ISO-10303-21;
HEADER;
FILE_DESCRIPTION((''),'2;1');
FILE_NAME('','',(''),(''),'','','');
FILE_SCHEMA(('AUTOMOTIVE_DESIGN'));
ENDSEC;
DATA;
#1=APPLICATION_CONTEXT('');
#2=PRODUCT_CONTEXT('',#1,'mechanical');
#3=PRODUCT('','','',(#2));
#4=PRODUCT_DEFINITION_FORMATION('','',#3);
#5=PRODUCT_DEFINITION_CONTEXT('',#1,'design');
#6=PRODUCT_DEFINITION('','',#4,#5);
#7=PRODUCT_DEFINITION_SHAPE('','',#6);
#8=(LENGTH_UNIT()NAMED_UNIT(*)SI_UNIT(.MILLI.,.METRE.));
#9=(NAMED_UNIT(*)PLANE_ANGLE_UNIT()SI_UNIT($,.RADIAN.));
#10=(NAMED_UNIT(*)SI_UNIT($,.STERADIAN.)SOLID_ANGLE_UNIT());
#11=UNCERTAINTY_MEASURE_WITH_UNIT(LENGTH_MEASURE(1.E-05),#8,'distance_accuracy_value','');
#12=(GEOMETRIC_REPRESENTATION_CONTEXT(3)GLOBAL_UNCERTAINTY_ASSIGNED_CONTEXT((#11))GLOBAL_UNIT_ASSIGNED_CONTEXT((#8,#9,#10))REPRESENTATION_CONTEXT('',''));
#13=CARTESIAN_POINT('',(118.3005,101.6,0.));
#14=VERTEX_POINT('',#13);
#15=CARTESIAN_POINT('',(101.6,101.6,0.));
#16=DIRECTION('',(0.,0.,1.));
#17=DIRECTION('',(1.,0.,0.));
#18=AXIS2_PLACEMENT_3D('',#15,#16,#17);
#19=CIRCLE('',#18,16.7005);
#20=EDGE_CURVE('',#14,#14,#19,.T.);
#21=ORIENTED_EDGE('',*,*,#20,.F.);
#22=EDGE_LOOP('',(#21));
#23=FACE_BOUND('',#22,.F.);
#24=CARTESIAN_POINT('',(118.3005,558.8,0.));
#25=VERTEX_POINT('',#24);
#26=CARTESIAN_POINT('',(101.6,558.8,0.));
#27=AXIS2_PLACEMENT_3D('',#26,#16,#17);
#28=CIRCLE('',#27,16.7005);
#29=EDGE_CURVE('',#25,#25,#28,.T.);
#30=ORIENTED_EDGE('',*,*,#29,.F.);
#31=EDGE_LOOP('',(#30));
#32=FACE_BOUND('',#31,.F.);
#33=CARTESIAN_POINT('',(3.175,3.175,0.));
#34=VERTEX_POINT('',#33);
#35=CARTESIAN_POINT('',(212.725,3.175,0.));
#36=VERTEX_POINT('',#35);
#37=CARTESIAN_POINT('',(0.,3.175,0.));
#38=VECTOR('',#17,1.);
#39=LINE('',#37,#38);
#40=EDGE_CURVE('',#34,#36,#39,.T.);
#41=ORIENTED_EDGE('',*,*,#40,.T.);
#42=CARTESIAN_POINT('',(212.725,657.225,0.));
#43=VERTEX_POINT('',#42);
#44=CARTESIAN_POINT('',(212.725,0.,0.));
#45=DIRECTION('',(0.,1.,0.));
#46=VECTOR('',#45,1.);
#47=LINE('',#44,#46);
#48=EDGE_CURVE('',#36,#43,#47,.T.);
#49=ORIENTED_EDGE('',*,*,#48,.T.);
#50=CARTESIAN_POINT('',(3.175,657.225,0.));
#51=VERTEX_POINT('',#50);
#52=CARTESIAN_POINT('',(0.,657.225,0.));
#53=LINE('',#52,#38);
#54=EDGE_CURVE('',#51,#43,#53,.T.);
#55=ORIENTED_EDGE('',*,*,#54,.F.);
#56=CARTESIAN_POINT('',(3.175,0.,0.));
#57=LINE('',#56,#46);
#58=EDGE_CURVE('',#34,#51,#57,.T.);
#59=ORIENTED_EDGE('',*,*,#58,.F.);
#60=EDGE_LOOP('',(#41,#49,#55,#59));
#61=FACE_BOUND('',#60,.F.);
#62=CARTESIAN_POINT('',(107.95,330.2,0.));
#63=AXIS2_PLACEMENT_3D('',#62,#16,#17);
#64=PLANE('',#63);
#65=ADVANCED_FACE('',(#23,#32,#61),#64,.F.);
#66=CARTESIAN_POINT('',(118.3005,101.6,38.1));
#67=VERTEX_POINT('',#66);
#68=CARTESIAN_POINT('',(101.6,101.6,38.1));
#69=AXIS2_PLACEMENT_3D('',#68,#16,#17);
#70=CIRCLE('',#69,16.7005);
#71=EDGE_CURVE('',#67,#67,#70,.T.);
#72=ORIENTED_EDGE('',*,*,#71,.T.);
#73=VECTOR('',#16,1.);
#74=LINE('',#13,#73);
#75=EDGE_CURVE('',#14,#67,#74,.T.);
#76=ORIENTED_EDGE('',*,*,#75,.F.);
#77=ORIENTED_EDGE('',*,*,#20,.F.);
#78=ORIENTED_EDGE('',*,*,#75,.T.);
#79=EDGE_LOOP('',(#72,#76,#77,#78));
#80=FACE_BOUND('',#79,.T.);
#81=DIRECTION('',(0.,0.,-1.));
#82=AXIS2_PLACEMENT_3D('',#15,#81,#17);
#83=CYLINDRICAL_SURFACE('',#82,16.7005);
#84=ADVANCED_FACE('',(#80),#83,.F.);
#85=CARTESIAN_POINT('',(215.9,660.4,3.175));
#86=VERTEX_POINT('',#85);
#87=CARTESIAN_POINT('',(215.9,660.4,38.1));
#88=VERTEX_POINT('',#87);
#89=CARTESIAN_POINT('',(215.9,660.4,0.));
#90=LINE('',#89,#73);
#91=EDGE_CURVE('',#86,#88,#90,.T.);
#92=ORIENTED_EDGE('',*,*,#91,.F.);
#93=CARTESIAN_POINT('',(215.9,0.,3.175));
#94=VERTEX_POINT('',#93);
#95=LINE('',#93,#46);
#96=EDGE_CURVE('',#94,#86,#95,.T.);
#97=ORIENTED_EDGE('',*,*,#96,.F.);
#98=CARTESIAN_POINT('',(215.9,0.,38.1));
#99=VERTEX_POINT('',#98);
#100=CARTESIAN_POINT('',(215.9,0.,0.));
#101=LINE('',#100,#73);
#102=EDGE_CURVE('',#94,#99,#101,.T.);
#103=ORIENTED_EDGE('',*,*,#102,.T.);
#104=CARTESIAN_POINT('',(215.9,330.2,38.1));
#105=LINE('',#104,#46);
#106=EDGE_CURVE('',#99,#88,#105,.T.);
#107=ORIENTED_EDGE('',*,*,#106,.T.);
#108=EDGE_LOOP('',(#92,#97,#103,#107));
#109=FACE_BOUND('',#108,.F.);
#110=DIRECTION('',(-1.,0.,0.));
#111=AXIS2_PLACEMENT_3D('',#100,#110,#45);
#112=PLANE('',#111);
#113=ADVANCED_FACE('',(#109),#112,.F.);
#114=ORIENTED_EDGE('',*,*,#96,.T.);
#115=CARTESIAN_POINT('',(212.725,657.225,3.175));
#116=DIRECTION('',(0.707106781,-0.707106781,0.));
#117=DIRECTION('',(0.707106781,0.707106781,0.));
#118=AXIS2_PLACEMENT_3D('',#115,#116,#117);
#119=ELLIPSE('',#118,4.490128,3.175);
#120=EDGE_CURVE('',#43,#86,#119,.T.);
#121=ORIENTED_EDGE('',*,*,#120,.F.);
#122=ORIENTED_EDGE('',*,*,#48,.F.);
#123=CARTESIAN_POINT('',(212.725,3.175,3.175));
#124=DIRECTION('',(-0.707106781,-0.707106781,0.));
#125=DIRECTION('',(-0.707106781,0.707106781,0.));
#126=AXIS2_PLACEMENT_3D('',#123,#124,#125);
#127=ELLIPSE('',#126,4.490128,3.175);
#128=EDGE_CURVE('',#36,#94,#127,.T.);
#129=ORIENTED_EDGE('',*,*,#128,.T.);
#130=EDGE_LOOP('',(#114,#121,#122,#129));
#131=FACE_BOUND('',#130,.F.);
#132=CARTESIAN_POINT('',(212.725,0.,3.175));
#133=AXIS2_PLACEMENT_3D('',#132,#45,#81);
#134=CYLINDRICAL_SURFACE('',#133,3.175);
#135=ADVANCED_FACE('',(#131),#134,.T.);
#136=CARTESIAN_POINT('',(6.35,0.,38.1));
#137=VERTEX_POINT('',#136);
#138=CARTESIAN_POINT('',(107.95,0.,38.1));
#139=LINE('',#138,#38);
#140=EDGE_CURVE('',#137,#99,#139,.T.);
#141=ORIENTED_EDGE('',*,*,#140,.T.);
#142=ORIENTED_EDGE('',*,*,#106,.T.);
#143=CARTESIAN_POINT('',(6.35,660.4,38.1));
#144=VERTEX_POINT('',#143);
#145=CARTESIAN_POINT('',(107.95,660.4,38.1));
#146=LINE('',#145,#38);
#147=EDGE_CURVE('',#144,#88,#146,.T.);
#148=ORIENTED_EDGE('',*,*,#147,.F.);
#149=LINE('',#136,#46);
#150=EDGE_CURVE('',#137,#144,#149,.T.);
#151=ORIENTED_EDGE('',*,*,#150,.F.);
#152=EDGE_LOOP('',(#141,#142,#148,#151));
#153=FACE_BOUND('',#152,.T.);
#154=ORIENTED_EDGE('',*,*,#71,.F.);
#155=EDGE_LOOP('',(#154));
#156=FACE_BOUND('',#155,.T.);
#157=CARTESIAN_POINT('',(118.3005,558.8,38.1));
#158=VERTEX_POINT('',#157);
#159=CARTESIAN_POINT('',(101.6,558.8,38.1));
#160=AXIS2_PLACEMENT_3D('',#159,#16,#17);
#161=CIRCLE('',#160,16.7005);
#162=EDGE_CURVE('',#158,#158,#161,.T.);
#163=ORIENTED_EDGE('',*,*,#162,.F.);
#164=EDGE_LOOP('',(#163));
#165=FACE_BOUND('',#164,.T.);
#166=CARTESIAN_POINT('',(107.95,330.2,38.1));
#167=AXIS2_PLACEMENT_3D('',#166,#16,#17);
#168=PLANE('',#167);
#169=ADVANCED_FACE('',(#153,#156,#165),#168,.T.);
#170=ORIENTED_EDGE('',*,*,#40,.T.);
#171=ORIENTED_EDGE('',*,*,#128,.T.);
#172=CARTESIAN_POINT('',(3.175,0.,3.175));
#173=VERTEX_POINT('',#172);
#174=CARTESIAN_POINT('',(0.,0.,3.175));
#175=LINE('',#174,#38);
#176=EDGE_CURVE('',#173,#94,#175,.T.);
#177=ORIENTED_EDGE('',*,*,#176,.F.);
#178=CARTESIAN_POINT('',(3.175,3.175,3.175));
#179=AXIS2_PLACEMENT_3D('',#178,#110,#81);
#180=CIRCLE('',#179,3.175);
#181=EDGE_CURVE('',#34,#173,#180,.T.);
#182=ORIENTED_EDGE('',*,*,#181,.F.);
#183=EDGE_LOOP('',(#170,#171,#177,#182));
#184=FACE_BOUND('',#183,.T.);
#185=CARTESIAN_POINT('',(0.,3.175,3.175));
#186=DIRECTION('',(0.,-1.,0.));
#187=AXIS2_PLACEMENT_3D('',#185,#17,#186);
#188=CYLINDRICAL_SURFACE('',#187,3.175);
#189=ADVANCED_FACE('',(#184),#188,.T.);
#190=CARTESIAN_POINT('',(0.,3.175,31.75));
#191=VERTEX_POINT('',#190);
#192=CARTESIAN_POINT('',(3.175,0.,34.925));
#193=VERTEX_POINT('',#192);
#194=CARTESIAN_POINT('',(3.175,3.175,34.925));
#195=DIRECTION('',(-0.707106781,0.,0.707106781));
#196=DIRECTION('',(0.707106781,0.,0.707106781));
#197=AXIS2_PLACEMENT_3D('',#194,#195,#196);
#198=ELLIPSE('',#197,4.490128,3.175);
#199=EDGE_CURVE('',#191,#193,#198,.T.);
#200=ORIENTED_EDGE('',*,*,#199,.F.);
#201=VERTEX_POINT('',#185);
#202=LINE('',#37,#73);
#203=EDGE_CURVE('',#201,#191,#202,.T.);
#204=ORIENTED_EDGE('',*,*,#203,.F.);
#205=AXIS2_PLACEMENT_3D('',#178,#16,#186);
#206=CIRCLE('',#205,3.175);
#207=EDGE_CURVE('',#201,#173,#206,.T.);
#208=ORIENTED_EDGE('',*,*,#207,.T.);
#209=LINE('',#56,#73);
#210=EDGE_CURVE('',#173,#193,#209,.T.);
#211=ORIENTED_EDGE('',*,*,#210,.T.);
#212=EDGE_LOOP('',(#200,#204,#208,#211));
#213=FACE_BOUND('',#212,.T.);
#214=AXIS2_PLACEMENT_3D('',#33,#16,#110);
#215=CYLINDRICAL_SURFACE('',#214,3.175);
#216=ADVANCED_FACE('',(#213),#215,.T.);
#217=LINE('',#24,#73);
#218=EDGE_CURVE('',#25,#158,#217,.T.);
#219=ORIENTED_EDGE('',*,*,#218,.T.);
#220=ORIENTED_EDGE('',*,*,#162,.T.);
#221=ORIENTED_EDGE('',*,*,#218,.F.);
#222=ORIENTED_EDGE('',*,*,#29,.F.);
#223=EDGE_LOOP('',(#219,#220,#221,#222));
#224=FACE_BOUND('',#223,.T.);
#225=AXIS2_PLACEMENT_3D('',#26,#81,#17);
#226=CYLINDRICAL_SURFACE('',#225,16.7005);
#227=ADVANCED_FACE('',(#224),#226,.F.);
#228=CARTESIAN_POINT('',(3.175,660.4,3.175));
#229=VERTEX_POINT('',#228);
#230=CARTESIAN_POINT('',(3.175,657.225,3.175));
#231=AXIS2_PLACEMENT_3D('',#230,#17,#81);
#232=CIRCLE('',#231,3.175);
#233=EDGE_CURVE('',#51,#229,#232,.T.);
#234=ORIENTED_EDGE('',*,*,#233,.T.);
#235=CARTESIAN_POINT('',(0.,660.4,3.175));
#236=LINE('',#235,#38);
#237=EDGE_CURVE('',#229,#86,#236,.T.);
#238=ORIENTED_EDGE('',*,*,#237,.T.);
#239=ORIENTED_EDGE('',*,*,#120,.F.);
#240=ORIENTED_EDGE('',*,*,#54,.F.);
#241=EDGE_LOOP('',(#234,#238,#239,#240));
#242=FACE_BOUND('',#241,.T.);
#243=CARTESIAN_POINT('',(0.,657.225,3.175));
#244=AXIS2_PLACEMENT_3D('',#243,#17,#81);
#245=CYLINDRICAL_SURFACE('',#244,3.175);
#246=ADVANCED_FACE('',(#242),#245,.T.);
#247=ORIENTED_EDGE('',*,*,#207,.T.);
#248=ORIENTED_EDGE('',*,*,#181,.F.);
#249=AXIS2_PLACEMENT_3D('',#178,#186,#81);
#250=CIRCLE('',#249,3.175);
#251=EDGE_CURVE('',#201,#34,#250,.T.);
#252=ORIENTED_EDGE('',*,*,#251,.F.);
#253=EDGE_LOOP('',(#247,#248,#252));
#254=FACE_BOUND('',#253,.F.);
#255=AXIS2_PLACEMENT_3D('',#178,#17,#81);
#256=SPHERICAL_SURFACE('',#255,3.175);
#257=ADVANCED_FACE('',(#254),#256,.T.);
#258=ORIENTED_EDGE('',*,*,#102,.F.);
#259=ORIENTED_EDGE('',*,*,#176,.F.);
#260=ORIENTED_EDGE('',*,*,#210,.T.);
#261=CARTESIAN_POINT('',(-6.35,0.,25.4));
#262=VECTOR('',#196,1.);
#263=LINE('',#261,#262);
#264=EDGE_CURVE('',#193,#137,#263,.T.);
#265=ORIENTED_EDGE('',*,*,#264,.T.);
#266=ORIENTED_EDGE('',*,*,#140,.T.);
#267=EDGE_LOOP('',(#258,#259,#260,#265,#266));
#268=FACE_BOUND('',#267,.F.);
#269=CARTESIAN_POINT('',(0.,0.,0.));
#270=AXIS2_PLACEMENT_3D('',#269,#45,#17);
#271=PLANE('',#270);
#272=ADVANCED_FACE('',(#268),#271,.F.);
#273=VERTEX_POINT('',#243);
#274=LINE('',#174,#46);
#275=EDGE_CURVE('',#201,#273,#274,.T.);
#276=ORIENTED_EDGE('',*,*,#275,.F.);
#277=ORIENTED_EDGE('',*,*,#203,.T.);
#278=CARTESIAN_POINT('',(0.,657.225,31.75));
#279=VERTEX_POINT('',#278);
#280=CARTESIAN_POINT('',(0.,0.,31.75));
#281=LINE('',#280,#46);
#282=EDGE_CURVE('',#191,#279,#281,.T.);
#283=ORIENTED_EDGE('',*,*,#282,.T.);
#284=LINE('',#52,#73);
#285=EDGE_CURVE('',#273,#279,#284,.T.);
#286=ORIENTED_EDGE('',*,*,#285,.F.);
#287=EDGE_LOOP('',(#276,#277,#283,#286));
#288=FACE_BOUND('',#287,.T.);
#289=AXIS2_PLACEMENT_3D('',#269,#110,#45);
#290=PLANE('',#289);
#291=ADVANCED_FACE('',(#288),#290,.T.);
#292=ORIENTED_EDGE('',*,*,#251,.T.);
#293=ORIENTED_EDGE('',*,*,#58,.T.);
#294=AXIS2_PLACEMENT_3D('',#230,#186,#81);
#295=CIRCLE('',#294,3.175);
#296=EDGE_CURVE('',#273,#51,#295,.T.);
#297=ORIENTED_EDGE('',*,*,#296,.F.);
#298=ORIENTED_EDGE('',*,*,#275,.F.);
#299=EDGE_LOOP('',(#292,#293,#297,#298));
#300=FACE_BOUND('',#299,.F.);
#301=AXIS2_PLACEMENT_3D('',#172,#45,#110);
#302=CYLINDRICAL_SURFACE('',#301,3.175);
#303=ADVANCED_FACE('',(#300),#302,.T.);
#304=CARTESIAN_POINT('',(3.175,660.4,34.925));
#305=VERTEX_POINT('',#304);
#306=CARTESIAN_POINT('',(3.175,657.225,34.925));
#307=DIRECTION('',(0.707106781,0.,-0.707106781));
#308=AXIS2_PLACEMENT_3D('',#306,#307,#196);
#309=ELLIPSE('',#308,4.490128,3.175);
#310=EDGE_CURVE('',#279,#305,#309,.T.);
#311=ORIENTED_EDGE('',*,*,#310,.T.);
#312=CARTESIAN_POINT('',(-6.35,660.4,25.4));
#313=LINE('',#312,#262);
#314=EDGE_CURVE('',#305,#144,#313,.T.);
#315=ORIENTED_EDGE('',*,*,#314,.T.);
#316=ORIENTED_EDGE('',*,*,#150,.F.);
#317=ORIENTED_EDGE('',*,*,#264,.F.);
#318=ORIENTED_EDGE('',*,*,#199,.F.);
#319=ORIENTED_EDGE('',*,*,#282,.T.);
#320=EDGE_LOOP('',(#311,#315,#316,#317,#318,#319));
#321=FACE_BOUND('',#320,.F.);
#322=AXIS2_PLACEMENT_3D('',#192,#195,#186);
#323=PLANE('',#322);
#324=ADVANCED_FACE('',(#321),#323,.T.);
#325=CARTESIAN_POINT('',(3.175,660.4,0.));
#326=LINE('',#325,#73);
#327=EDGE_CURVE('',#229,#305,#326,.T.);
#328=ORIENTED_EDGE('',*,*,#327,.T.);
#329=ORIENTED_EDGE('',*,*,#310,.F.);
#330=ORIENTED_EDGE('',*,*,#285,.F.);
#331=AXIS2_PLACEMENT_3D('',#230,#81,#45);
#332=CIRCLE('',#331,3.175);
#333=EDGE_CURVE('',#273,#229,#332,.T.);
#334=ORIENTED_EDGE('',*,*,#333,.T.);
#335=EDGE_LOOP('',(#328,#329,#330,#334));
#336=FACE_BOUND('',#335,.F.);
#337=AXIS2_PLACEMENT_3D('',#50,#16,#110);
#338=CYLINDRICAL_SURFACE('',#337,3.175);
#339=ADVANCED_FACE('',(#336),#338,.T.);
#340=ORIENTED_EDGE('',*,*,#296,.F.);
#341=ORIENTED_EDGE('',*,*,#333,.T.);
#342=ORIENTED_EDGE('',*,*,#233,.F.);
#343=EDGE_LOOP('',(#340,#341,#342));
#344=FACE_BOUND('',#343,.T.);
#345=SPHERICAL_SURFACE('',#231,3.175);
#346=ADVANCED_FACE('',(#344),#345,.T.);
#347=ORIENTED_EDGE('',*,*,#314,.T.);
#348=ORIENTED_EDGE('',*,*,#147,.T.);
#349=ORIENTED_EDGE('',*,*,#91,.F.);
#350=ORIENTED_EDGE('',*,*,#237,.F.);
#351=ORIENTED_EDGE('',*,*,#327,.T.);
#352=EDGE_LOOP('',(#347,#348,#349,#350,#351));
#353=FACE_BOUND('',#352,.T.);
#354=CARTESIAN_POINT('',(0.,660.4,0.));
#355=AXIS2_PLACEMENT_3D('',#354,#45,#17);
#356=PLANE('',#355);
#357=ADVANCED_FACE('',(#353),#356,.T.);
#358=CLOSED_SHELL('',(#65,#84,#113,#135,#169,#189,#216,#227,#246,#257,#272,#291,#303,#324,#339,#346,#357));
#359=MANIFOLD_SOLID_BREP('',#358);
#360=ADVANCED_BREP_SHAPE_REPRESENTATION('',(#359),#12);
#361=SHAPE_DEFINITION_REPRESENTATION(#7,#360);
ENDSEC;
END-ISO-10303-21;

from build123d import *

# Parameters (mm, degrees)
F0_W     = 215.9
F0_H     = 660.4
F0_R     = 16.7005
F1_DEPTH = 38.1
F2_SIZE  = 6.35
F3_R     = 3.175


with BuildPart() as f1:
    # F0 (on Top) → F1 (new body)
    with BuildSketch(Plane.XY):
        with Locations((107.95, 330.2)):
            Rectangle(F0_W, F0_H)
        with Locations((101.6, 101.6)):
            Circle(F0_R, mode=Mode.SUBTRACT)
        with Locations((101.6, 558.8)):
            Circle(F0_R, mode=Mode.SUBTRACT)
    extrude(amount=F1_DEPTH)

    # F2
    f2_edges = [f1.edges().sort_by_distance(p)[0] for p in [
        (0, 330.2, 38.1),
    ]]
    chamfer(f2_edges, length=F2_SIZE)

    # F3
    f3_edges = [f1.edges().sort_by_distance(p)[0] for p in [
        (215.9, 330.2, 0),
        (107.95, 660.4, 0),
        (107.95, 0, 0),
        (0, 330.2, 0),
        (0, 0, 15.875),
        (0, 660.4, 15.875),
    ]]
    fillet(f3_edges, radius=F3_R)


solid = f1.part
